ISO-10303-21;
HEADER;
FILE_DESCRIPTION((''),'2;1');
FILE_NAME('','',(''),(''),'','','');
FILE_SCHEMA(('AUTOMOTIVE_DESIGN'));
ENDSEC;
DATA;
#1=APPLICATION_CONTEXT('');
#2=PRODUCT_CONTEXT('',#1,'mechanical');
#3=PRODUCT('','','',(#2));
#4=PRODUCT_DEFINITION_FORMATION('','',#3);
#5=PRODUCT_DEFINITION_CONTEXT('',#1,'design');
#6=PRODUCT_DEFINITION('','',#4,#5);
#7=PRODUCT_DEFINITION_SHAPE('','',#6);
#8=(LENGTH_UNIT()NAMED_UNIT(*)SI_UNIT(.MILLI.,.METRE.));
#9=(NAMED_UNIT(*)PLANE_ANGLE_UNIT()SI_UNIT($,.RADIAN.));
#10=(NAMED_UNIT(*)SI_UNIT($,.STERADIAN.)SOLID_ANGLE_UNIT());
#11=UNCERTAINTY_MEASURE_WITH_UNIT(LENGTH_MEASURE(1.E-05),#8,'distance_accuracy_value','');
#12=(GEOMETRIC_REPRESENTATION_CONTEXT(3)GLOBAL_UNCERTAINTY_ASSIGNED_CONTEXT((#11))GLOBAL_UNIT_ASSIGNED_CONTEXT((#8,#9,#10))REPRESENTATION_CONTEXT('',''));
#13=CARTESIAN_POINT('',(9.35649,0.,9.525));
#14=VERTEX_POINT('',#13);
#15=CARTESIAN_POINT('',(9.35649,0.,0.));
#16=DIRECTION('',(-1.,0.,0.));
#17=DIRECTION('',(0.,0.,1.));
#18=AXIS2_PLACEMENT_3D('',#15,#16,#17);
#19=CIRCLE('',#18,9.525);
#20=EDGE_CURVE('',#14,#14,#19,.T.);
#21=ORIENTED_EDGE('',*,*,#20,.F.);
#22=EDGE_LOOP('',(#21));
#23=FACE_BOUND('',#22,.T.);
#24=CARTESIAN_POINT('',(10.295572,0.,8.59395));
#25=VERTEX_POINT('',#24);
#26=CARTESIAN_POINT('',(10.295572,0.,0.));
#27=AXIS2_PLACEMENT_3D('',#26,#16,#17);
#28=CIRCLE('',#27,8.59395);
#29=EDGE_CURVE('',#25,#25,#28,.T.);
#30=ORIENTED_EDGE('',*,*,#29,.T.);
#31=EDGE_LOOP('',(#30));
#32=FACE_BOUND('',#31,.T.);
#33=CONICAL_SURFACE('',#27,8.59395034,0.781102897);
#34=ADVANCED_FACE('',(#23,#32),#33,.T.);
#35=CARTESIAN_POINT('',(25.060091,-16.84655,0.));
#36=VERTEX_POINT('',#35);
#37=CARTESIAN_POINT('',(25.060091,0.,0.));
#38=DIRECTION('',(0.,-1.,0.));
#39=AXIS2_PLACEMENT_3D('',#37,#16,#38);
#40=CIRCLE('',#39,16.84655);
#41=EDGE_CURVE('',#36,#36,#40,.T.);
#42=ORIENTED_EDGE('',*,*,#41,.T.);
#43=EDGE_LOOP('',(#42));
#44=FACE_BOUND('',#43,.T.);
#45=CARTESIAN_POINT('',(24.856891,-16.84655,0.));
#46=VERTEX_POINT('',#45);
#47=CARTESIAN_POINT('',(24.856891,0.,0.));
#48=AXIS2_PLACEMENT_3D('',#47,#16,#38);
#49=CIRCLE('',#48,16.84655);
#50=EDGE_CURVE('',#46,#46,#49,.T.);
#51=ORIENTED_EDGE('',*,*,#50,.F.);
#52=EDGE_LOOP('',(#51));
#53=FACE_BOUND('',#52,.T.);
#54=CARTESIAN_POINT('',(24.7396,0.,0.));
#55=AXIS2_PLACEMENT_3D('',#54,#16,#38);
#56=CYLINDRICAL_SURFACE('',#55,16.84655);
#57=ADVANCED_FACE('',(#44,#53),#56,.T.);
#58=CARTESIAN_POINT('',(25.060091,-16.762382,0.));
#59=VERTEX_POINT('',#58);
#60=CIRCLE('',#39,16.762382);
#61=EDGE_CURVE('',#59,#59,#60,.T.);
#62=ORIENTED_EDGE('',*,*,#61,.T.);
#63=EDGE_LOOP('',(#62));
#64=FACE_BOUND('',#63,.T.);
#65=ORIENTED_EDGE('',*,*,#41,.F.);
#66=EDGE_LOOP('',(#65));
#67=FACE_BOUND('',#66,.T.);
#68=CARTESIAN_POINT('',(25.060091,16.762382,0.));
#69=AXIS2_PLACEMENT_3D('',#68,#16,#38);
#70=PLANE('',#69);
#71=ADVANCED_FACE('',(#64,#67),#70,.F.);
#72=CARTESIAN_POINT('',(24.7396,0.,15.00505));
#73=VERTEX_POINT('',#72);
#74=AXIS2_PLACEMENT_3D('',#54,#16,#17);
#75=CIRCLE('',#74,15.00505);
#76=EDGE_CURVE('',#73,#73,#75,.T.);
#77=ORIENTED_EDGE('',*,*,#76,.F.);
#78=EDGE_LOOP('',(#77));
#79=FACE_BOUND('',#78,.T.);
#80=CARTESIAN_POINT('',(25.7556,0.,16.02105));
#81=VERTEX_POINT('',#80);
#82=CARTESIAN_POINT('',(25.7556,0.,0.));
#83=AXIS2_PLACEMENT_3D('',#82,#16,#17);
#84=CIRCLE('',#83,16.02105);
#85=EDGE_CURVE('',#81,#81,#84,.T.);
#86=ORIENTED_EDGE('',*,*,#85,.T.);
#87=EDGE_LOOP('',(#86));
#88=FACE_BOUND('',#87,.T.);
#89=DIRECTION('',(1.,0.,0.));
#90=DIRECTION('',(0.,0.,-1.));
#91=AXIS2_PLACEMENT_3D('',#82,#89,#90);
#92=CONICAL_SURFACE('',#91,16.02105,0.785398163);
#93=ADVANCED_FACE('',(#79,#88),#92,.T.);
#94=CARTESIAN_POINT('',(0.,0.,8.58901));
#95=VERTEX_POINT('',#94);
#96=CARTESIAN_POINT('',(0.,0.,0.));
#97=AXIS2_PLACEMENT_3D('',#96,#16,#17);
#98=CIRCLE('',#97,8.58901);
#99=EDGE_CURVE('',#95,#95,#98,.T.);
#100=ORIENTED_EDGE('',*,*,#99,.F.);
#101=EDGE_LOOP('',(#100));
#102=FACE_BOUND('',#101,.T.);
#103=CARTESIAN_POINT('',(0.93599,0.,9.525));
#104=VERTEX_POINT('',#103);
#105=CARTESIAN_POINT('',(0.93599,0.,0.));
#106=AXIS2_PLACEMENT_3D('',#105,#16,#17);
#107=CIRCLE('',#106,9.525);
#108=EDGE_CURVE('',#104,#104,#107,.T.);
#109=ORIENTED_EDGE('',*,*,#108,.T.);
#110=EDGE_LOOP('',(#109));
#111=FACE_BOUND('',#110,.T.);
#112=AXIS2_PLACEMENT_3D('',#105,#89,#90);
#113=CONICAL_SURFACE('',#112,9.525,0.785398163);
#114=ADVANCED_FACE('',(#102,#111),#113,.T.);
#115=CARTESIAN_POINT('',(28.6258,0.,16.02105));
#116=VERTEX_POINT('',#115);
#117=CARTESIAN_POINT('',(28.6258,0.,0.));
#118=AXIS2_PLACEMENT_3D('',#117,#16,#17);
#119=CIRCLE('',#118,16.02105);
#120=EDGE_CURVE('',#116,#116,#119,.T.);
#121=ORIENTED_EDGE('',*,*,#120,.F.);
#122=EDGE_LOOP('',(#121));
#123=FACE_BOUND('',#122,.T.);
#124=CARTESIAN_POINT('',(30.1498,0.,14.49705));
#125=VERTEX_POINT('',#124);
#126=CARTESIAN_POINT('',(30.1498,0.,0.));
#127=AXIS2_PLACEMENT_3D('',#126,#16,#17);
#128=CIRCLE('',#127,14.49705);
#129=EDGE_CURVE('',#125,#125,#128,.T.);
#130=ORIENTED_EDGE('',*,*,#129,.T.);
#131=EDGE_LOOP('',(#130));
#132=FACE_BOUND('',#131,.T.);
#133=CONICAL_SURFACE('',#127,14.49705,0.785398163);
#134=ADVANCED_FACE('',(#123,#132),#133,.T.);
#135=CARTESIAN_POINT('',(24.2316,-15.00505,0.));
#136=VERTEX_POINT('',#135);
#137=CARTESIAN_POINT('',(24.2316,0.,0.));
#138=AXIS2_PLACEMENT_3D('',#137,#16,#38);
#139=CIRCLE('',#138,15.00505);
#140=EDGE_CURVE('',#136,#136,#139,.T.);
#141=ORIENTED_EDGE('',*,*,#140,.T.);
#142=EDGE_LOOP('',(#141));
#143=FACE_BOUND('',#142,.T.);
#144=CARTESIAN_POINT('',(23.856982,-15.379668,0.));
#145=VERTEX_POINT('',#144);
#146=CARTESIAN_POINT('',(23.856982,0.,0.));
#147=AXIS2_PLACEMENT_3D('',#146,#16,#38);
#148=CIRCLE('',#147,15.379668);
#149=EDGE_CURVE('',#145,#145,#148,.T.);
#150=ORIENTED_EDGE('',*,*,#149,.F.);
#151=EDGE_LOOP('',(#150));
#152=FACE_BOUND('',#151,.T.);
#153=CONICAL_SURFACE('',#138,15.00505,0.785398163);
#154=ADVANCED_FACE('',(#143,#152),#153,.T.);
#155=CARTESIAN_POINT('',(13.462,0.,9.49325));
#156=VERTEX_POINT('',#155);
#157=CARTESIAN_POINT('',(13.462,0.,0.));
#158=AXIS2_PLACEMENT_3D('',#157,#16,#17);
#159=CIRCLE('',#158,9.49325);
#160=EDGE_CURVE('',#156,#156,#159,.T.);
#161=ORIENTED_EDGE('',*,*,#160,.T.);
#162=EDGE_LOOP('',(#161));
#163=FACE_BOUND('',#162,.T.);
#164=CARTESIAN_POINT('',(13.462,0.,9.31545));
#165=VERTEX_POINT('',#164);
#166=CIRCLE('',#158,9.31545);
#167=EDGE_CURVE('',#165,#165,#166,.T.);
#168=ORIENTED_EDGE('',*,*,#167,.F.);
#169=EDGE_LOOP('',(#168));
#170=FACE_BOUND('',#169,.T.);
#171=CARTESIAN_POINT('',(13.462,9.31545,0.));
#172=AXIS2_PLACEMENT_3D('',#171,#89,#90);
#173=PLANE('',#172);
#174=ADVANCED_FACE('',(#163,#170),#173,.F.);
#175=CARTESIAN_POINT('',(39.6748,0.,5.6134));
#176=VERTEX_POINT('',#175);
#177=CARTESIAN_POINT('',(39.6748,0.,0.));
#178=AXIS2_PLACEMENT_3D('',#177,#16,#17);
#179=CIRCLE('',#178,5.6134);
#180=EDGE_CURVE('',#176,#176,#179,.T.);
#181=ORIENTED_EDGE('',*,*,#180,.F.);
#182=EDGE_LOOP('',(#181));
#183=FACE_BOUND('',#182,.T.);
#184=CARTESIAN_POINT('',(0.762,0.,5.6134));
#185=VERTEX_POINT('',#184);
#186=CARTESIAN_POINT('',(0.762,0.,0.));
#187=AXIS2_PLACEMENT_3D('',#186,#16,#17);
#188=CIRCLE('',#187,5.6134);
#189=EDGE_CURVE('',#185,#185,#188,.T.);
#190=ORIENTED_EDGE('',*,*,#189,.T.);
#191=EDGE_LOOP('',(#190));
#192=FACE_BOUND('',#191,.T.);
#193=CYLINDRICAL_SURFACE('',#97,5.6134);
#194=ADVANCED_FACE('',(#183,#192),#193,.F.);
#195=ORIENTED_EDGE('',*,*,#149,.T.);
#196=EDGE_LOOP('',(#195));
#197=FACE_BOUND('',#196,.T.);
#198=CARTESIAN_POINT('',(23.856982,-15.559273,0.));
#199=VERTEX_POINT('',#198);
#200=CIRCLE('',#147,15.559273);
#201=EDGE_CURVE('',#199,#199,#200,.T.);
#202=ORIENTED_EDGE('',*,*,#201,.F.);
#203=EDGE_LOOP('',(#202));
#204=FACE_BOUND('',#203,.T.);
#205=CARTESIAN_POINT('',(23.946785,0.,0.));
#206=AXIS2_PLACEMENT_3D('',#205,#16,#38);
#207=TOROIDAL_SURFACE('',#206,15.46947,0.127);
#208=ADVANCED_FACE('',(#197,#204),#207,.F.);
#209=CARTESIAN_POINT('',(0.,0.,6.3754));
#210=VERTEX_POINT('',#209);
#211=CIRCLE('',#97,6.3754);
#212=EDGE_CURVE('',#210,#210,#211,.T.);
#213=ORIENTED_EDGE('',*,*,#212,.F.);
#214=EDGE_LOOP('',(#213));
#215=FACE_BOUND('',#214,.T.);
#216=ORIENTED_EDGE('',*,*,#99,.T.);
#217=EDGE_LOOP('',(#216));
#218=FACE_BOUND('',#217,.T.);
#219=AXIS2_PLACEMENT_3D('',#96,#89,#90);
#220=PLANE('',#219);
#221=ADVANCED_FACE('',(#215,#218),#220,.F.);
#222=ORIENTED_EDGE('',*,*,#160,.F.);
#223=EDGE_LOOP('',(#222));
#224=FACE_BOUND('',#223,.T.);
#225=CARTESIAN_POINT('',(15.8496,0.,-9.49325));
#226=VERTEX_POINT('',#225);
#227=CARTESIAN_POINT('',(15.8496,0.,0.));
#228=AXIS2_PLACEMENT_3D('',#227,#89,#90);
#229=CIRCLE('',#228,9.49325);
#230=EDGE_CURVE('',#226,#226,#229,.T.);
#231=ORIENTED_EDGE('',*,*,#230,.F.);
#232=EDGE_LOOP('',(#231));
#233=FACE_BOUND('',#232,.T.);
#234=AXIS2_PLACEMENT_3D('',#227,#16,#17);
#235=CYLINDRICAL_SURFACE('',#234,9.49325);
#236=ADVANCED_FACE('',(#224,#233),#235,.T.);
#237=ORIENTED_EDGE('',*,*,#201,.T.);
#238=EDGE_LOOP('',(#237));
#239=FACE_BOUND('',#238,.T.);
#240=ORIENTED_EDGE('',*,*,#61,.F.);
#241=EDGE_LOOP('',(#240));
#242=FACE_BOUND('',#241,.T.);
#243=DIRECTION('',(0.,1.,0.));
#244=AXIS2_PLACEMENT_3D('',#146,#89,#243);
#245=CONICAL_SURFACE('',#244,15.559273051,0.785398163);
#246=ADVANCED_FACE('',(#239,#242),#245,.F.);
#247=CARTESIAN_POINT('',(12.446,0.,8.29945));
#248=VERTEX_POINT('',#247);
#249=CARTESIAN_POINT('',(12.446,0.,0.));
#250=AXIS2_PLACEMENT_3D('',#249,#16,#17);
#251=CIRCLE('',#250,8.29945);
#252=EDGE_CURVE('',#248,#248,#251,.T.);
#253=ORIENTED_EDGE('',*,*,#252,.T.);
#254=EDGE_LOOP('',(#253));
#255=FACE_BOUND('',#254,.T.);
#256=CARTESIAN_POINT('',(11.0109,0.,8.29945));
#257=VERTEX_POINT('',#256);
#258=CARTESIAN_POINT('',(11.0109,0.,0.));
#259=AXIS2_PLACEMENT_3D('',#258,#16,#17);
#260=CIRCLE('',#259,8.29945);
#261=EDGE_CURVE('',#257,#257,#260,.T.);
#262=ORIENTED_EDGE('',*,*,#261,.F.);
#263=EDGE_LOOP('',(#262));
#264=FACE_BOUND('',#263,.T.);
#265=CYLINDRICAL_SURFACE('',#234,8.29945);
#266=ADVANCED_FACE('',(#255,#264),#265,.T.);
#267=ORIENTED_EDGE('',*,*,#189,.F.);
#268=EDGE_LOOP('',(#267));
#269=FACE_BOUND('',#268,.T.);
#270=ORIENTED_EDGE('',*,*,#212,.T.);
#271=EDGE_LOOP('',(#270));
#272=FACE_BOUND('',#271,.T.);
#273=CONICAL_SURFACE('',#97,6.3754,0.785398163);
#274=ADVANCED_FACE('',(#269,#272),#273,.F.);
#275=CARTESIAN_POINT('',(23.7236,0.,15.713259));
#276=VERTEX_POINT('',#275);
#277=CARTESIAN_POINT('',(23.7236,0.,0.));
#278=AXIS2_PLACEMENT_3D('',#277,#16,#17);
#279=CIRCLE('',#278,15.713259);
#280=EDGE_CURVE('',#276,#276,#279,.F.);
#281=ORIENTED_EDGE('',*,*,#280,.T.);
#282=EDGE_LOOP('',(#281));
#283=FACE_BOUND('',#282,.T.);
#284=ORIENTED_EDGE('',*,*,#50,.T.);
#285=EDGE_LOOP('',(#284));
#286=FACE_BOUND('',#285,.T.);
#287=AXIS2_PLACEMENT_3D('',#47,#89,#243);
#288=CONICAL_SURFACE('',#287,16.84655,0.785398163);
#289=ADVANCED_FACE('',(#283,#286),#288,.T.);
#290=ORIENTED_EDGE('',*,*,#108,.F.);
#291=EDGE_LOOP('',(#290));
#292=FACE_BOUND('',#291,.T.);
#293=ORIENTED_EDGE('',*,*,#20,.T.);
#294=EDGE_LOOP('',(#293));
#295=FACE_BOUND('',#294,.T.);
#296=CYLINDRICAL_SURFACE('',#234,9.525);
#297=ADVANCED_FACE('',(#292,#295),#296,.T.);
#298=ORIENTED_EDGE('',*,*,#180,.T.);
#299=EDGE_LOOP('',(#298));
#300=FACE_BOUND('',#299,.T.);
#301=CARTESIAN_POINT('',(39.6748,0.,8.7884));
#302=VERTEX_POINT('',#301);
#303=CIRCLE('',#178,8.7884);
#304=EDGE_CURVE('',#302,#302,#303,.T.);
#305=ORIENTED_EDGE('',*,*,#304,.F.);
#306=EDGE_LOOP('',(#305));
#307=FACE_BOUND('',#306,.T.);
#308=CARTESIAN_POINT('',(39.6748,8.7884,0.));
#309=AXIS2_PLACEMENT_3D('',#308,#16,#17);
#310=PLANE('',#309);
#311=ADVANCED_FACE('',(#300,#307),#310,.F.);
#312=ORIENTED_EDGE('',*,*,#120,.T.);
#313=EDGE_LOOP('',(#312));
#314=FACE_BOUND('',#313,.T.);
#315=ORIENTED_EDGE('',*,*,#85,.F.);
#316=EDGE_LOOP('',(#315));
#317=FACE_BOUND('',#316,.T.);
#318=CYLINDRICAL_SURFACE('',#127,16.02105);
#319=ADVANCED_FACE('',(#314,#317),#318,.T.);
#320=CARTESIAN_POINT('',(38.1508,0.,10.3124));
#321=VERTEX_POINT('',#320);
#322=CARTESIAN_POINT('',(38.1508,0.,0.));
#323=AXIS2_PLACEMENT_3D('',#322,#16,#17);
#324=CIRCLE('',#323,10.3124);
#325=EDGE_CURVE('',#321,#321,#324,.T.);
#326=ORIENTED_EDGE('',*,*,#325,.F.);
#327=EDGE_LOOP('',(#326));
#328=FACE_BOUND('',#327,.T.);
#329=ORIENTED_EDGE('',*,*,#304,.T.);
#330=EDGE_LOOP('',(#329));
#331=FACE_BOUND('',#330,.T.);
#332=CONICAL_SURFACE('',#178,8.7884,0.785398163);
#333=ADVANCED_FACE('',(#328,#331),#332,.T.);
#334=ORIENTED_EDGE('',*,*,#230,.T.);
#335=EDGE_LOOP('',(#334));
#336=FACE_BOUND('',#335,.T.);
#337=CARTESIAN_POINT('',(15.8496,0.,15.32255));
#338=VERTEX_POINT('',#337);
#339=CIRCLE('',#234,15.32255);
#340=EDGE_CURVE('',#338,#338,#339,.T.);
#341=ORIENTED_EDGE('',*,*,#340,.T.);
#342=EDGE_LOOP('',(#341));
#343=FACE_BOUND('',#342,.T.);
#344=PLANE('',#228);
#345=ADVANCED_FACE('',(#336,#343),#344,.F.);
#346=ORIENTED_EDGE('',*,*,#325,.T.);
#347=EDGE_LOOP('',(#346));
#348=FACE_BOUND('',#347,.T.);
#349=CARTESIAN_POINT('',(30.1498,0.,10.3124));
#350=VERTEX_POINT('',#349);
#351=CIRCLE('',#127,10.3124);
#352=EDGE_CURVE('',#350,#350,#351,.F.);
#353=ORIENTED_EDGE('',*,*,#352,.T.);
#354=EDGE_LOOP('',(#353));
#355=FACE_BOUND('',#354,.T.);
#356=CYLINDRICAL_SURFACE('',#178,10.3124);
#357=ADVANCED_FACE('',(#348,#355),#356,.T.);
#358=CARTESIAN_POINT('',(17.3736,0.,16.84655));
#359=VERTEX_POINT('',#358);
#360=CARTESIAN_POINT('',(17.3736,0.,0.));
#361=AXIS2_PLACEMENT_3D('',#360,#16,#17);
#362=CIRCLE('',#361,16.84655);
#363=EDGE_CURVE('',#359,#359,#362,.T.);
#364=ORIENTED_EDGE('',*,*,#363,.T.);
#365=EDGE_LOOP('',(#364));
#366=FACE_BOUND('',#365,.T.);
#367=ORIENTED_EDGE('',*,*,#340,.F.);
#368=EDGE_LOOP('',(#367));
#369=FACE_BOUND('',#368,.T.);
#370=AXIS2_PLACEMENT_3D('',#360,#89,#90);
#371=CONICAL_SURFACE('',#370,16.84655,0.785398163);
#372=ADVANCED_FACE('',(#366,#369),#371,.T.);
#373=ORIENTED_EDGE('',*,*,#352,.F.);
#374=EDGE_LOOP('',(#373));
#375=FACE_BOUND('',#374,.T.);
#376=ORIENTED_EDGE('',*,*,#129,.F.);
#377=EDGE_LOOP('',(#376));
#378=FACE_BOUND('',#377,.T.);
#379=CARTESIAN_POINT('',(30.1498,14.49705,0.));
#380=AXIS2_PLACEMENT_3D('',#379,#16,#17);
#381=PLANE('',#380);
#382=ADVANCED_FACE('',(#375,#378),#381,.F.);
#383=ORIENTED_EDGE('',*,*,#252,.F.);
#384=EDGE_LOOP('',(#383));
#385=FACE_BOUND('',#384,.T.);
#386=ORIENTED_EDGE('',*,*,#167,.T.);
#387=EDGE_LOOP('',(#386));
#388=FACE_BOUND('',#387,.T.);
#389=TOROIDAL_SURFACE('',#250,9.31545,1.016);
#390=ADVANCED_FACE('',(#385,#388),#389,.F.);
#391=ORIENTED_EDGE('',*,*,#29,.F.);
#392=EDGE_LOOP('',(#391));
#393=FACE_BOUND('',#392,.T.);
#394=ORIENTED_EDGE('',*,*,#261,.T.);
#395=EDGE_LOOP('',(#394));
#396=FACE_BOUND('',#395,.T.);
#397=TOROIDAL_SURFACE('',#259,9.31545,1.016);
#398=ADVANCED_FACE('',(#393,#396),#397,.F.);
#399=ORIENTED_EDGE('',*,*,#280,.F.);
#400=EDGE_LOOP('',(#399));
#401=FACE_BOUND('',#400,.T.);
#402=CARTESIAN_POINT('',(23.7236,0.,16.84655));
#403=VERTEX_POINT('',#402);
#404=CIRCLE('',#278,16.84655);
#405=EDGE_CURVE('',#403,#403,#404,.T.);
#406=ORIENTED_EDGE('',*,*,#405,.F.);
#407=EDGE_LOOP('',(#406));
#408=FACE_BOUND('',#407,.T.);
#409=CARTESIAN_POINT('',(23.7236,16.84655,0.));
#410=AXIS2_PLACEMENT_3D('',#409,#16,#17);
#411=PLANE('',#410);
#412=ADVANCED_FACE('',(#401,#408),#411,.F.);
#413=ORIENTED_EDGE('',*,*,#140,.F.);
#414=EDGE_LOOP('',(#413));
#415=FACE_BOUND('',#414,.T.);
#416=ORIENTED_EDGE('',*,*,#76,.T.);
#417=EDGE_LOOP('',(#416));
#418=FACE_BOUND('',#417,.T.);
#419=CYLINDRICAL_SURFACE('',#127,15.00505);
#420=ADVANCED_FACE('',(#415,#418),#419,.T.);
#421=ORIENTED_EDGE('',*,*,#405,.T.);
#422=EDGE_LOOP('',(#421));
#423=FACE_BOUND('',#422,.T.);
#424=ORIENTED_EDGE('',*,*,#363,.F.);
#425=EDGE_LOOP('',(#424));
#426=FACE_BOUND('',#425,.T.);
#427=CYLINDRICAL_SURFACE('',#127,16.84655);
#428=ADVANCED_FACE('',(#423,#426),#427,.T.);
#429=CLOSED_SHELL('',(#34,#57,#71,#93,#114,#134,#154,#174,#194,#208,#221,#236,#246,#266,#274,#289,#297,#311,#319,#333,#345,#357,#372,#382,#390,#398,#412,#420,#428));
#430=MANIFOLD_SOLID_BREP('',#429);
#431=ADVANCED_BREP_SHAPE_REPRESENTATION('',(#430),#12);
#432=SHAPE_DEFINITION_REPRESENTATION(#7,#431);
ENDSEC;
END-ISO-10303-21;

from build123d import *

# Parameters (mm, degrees)
HOLE1_D           = 11.2268
HOLE1_CSINK_D     = 12.7508
HOLE1_CSINK_ANGLE = 90


with BuildPart() as part:
    # Sketch1 → Revolve1 (revolve)
    with BuildSketch(Plane.XY):
        with BuildLine():
            Line((0, 0), (0, 8.58901))
            Line((0, 8.58901), (0.93599, 9.525))
            Line((0.93599, 9.525), (9.35648951, 9.525))
            Line((9.35648951, 9.525), (10.295571935, 8.59395034))
            ThreePointArc((10.295571935, 8.59395034), (10.624110429, 8.375955547), (11.0109, 8.29945))
            Line((11.0109, 8.29945), (12.446, 8.29945))
            ThreePointArc((12.446, 8.29945), (13.16442049, 8.59702951), (13.462, 9.31545))
            Line((13.462, 9.31545), (13.462, 9.49325))
            Line((13.462, 9.49325), (15.8496, 9.49325))
            Line((15.8496, 9.49325), (15.8496, 0))
            Line((15.8496, 0), (0, 0))
        make_face()
    revolve(axis=Axis((15.8496, 0, 0), (-1, 0, 0)))

    # Sketch2 → Revolve2 (revolve)
    with BuildSketch(Plane.XY):
        Polygon((15.8496, 0), (15.8496, 15.32255), (17.3736, 16.84655), (23.7236, 16.84655), (23.7236, 15.00505), (24.7396, 15.00505), (25.7556, 16.02105), (28.6258, 16.02105), (30.1498, 14.49705), (30.1498, 0), align=None)
    revolve(axis=Axis((30.1498, 0, 0), (-1, 0, 0)))

    # Sketch3 → Revolve3 (revolve)
    with BuildSketch(Plane.XY):
        Polygon((30.1498, 0), (30.1498, 10.3124), (38.1508, 10.3124), (39.6748, 8.7884), (39.6748, 0), align=None)
    revolve(axis=Axis((39.6748, 0, 0), (-1, 0, 0)))

    # Hole1 (through all)
    with Locations(Plane.ZY):
        with Locations((0, 0)):
            CounterSinkHole(HOLE1_D / 2, HOLE1_CSINK_D / 2, counter_sink_angle=HOLE1_CSINK_ANGLE)

    # Sketch6 → Revolve4 (revolve)
    with BuildSketch(Plane.XY):
        with BuildLine():
            Line((23.7236, 14.75105), (24.7396, 14.75105))
            Line((24.7396, 14.75105), (24.7396, 15.00505))
            Line((24.7396, 15.00505), (24.2316, 15.00505))
            Line((24.2316, 15.00505), (23.856982072, 15.379667928))
            ThreePointArc((23.856982072, 15.379667928), (23.819784633, 15.46947049), (23.856982072, 15.559273051))
            Line((23.856982072, 15.559273051), (25.060090825, 16.762381804))
            Line((25.060090825, 16.762381804), (25.060090825, 16.84655))
            Line((25.060090825, 16.84655), (24.856890825, 16.84655))
            Line((24.856890825, 16.84655), (23.7236, 15.713259175))
            Line((23.7236, 15.713259175), (23.7236, 14.75105))
        make_face()
    revolve(axis=Axis((24.7396, 0, 0), (-1, 0, 0)))


solid = part.part
